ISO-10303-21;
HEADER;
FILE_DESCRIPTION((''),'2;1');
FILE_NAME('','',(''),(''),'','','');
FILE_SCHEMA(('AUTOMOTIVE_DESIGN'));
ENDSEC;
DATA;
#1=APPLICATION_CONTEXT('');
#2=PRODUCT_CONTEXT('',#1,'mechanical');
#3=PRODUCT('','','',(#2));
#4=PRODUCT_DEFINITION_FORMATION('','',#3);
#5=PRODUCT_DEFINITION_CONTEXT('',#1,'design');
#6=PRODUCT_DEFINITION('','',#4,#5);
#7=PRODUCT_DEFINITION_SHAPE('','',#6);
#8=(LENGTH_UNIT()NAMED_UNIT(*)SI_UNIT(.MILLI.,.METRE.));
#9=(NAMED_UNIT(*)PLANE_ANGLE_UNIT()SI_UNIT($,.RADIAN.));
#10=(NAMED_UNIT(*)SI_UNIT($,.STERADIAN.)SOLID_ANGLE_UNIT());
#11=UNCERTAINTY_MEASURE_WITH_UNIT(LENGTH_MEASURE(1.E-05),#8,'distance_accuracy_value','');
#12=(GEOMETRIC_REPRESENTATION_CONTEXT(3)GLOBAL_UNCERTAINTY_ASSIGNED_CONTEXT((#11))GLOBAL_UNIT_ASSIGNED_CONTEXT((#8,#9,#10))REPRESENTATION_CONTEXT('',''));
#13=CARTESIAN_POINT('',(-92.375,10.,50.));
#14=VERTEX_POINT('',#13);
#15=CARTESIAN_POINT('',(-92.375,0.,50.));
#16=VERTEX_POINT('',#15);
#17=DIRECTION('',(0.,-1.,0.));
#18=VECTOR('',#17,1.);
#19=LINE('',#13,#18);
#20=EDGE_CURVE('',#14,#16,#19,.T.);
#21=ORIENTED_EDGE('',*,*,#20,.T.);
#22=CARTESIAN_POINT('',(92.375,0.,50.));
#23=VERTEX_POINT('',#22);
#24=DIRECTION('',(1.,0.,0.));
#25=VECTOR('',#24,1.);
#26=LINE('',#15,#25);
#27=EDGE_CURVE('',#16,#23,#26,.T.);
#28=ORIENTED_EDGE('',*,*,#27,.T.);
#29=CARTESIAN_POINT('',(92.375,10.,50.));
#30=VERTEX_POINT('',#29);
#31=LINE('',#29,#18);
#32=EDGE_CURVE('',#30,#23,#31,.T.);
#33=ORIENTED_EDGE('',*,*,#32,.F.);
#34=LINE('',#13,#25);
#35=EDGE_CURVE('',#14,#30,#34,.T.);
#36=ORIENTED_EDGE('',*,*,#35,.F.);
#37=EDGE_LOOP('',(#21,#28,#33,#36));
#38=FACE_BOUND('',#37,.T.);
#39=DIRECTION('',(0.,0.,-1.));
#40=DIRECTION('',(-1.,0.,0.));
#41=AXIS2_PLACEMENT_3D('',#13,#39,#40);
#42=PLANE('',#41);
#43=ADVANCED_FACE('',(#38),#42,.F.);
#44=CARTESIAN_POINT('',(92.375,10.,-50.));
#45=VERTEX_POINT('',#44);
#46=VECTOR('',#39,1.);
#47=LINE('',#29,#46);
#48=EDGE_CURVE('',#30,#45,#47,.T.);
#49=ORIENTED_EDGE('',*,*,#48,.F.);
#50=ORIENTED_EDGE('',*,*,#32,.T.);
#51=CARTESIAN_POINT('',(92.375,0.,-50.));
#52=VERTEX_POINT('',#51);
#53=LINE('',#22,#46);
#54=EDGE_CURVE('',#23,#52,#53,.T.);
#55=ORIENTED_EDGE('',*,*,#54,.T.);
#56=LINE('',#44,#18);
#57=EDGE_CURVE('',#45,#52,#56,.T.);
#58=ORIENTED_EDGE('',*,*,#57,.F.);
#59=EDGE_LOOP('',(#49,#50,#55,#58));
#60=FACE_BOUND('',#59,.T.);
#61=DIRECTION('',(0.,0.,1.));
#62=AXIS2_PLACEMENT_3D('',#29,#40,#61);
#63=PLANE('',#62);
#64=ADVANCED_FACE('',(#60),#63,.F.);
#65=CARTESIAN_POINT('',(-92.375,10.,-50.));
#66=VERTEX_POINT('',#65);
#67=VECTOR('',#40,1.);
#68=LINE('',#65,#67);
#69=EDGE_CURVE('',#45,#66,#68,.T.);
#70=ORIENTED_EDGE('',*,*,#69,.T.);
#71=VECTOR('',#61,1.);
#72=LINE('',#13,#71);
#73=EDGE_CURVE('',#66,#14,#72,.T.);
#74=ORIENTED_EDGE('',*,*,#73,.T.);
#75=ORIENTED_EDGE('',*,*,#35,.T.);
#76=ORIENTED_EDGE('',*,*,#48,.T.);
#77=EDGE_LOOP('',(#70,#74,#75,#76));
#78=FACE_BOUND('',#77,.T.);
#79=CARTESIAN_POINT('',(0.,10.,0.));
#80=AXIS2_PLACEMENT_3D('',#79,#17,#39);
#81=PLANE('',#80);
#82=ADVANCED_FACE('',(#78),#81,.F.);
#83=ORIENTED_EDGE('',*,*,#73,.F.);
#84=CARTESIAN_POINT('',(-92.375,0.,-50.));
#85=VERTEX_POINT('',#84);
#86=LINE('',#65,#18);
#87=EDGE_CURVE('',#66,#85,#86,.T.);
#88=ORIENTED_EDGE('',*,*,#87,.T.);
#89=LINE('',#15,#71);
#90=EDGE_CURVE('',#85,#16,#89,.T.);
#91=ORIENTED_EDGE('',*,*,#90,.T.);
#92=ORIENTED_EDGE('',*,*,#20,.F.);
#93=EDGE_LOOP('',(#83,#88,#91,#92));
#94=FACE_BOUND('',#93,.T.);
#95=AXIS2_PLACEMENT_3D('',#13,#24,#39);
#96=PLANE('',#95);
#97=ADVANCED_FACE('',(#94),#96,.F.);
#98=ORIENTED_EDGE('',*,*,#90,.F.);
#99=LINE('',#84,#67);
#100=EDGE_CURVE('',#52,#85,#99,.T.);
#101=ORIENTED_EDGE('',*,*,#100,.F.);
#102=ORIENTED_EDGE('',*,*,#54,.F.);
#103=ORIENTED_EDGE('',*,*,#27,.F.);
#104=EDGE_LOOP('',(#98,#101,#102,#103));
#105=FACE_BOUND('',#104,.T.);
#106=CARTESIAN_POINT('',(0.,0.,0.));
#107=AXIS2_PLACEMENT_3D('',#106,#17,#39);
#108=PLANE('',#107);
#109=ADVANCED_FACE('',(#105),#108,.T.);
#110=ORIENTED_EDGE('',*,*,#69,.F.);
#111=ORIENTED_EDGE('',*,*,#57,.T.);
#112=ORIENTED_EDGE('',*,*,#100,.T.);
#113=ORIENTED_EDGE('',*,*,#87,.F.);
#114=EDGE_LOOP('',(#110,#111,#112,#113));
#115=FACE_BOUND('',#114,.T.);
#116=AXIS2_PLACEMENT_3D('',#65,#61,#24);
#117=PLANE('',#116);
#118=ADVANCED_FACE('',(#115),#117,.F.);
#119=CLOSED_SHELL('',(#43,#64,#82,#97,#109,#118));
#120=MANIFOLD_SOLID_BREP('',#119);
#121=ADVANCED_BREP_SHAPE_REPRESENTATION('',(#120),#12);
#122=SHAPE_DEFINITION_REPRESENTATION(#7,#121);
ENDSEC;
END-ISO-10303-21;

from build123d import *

# Parameters (mm, degrees)
SKETCH2_W           = 184.75
SKETCH2_H           = 100
BOSS_EXTRUDE1_DEPTH = 10


with BuildPart() as part:
    # Sketch2 → Boss-Extrude1 (new body)
    with BuildSketch(Plane(origin=(0, 0, 0), x_dir=(1, 0, 0), z_dir=(0, 1, 0))):
        Rectangle(SKETCH2_W, SKETCH2_H)
    extrude(amount=BOSS_EXTRUDE1_DEPTH)


solid = part.part
